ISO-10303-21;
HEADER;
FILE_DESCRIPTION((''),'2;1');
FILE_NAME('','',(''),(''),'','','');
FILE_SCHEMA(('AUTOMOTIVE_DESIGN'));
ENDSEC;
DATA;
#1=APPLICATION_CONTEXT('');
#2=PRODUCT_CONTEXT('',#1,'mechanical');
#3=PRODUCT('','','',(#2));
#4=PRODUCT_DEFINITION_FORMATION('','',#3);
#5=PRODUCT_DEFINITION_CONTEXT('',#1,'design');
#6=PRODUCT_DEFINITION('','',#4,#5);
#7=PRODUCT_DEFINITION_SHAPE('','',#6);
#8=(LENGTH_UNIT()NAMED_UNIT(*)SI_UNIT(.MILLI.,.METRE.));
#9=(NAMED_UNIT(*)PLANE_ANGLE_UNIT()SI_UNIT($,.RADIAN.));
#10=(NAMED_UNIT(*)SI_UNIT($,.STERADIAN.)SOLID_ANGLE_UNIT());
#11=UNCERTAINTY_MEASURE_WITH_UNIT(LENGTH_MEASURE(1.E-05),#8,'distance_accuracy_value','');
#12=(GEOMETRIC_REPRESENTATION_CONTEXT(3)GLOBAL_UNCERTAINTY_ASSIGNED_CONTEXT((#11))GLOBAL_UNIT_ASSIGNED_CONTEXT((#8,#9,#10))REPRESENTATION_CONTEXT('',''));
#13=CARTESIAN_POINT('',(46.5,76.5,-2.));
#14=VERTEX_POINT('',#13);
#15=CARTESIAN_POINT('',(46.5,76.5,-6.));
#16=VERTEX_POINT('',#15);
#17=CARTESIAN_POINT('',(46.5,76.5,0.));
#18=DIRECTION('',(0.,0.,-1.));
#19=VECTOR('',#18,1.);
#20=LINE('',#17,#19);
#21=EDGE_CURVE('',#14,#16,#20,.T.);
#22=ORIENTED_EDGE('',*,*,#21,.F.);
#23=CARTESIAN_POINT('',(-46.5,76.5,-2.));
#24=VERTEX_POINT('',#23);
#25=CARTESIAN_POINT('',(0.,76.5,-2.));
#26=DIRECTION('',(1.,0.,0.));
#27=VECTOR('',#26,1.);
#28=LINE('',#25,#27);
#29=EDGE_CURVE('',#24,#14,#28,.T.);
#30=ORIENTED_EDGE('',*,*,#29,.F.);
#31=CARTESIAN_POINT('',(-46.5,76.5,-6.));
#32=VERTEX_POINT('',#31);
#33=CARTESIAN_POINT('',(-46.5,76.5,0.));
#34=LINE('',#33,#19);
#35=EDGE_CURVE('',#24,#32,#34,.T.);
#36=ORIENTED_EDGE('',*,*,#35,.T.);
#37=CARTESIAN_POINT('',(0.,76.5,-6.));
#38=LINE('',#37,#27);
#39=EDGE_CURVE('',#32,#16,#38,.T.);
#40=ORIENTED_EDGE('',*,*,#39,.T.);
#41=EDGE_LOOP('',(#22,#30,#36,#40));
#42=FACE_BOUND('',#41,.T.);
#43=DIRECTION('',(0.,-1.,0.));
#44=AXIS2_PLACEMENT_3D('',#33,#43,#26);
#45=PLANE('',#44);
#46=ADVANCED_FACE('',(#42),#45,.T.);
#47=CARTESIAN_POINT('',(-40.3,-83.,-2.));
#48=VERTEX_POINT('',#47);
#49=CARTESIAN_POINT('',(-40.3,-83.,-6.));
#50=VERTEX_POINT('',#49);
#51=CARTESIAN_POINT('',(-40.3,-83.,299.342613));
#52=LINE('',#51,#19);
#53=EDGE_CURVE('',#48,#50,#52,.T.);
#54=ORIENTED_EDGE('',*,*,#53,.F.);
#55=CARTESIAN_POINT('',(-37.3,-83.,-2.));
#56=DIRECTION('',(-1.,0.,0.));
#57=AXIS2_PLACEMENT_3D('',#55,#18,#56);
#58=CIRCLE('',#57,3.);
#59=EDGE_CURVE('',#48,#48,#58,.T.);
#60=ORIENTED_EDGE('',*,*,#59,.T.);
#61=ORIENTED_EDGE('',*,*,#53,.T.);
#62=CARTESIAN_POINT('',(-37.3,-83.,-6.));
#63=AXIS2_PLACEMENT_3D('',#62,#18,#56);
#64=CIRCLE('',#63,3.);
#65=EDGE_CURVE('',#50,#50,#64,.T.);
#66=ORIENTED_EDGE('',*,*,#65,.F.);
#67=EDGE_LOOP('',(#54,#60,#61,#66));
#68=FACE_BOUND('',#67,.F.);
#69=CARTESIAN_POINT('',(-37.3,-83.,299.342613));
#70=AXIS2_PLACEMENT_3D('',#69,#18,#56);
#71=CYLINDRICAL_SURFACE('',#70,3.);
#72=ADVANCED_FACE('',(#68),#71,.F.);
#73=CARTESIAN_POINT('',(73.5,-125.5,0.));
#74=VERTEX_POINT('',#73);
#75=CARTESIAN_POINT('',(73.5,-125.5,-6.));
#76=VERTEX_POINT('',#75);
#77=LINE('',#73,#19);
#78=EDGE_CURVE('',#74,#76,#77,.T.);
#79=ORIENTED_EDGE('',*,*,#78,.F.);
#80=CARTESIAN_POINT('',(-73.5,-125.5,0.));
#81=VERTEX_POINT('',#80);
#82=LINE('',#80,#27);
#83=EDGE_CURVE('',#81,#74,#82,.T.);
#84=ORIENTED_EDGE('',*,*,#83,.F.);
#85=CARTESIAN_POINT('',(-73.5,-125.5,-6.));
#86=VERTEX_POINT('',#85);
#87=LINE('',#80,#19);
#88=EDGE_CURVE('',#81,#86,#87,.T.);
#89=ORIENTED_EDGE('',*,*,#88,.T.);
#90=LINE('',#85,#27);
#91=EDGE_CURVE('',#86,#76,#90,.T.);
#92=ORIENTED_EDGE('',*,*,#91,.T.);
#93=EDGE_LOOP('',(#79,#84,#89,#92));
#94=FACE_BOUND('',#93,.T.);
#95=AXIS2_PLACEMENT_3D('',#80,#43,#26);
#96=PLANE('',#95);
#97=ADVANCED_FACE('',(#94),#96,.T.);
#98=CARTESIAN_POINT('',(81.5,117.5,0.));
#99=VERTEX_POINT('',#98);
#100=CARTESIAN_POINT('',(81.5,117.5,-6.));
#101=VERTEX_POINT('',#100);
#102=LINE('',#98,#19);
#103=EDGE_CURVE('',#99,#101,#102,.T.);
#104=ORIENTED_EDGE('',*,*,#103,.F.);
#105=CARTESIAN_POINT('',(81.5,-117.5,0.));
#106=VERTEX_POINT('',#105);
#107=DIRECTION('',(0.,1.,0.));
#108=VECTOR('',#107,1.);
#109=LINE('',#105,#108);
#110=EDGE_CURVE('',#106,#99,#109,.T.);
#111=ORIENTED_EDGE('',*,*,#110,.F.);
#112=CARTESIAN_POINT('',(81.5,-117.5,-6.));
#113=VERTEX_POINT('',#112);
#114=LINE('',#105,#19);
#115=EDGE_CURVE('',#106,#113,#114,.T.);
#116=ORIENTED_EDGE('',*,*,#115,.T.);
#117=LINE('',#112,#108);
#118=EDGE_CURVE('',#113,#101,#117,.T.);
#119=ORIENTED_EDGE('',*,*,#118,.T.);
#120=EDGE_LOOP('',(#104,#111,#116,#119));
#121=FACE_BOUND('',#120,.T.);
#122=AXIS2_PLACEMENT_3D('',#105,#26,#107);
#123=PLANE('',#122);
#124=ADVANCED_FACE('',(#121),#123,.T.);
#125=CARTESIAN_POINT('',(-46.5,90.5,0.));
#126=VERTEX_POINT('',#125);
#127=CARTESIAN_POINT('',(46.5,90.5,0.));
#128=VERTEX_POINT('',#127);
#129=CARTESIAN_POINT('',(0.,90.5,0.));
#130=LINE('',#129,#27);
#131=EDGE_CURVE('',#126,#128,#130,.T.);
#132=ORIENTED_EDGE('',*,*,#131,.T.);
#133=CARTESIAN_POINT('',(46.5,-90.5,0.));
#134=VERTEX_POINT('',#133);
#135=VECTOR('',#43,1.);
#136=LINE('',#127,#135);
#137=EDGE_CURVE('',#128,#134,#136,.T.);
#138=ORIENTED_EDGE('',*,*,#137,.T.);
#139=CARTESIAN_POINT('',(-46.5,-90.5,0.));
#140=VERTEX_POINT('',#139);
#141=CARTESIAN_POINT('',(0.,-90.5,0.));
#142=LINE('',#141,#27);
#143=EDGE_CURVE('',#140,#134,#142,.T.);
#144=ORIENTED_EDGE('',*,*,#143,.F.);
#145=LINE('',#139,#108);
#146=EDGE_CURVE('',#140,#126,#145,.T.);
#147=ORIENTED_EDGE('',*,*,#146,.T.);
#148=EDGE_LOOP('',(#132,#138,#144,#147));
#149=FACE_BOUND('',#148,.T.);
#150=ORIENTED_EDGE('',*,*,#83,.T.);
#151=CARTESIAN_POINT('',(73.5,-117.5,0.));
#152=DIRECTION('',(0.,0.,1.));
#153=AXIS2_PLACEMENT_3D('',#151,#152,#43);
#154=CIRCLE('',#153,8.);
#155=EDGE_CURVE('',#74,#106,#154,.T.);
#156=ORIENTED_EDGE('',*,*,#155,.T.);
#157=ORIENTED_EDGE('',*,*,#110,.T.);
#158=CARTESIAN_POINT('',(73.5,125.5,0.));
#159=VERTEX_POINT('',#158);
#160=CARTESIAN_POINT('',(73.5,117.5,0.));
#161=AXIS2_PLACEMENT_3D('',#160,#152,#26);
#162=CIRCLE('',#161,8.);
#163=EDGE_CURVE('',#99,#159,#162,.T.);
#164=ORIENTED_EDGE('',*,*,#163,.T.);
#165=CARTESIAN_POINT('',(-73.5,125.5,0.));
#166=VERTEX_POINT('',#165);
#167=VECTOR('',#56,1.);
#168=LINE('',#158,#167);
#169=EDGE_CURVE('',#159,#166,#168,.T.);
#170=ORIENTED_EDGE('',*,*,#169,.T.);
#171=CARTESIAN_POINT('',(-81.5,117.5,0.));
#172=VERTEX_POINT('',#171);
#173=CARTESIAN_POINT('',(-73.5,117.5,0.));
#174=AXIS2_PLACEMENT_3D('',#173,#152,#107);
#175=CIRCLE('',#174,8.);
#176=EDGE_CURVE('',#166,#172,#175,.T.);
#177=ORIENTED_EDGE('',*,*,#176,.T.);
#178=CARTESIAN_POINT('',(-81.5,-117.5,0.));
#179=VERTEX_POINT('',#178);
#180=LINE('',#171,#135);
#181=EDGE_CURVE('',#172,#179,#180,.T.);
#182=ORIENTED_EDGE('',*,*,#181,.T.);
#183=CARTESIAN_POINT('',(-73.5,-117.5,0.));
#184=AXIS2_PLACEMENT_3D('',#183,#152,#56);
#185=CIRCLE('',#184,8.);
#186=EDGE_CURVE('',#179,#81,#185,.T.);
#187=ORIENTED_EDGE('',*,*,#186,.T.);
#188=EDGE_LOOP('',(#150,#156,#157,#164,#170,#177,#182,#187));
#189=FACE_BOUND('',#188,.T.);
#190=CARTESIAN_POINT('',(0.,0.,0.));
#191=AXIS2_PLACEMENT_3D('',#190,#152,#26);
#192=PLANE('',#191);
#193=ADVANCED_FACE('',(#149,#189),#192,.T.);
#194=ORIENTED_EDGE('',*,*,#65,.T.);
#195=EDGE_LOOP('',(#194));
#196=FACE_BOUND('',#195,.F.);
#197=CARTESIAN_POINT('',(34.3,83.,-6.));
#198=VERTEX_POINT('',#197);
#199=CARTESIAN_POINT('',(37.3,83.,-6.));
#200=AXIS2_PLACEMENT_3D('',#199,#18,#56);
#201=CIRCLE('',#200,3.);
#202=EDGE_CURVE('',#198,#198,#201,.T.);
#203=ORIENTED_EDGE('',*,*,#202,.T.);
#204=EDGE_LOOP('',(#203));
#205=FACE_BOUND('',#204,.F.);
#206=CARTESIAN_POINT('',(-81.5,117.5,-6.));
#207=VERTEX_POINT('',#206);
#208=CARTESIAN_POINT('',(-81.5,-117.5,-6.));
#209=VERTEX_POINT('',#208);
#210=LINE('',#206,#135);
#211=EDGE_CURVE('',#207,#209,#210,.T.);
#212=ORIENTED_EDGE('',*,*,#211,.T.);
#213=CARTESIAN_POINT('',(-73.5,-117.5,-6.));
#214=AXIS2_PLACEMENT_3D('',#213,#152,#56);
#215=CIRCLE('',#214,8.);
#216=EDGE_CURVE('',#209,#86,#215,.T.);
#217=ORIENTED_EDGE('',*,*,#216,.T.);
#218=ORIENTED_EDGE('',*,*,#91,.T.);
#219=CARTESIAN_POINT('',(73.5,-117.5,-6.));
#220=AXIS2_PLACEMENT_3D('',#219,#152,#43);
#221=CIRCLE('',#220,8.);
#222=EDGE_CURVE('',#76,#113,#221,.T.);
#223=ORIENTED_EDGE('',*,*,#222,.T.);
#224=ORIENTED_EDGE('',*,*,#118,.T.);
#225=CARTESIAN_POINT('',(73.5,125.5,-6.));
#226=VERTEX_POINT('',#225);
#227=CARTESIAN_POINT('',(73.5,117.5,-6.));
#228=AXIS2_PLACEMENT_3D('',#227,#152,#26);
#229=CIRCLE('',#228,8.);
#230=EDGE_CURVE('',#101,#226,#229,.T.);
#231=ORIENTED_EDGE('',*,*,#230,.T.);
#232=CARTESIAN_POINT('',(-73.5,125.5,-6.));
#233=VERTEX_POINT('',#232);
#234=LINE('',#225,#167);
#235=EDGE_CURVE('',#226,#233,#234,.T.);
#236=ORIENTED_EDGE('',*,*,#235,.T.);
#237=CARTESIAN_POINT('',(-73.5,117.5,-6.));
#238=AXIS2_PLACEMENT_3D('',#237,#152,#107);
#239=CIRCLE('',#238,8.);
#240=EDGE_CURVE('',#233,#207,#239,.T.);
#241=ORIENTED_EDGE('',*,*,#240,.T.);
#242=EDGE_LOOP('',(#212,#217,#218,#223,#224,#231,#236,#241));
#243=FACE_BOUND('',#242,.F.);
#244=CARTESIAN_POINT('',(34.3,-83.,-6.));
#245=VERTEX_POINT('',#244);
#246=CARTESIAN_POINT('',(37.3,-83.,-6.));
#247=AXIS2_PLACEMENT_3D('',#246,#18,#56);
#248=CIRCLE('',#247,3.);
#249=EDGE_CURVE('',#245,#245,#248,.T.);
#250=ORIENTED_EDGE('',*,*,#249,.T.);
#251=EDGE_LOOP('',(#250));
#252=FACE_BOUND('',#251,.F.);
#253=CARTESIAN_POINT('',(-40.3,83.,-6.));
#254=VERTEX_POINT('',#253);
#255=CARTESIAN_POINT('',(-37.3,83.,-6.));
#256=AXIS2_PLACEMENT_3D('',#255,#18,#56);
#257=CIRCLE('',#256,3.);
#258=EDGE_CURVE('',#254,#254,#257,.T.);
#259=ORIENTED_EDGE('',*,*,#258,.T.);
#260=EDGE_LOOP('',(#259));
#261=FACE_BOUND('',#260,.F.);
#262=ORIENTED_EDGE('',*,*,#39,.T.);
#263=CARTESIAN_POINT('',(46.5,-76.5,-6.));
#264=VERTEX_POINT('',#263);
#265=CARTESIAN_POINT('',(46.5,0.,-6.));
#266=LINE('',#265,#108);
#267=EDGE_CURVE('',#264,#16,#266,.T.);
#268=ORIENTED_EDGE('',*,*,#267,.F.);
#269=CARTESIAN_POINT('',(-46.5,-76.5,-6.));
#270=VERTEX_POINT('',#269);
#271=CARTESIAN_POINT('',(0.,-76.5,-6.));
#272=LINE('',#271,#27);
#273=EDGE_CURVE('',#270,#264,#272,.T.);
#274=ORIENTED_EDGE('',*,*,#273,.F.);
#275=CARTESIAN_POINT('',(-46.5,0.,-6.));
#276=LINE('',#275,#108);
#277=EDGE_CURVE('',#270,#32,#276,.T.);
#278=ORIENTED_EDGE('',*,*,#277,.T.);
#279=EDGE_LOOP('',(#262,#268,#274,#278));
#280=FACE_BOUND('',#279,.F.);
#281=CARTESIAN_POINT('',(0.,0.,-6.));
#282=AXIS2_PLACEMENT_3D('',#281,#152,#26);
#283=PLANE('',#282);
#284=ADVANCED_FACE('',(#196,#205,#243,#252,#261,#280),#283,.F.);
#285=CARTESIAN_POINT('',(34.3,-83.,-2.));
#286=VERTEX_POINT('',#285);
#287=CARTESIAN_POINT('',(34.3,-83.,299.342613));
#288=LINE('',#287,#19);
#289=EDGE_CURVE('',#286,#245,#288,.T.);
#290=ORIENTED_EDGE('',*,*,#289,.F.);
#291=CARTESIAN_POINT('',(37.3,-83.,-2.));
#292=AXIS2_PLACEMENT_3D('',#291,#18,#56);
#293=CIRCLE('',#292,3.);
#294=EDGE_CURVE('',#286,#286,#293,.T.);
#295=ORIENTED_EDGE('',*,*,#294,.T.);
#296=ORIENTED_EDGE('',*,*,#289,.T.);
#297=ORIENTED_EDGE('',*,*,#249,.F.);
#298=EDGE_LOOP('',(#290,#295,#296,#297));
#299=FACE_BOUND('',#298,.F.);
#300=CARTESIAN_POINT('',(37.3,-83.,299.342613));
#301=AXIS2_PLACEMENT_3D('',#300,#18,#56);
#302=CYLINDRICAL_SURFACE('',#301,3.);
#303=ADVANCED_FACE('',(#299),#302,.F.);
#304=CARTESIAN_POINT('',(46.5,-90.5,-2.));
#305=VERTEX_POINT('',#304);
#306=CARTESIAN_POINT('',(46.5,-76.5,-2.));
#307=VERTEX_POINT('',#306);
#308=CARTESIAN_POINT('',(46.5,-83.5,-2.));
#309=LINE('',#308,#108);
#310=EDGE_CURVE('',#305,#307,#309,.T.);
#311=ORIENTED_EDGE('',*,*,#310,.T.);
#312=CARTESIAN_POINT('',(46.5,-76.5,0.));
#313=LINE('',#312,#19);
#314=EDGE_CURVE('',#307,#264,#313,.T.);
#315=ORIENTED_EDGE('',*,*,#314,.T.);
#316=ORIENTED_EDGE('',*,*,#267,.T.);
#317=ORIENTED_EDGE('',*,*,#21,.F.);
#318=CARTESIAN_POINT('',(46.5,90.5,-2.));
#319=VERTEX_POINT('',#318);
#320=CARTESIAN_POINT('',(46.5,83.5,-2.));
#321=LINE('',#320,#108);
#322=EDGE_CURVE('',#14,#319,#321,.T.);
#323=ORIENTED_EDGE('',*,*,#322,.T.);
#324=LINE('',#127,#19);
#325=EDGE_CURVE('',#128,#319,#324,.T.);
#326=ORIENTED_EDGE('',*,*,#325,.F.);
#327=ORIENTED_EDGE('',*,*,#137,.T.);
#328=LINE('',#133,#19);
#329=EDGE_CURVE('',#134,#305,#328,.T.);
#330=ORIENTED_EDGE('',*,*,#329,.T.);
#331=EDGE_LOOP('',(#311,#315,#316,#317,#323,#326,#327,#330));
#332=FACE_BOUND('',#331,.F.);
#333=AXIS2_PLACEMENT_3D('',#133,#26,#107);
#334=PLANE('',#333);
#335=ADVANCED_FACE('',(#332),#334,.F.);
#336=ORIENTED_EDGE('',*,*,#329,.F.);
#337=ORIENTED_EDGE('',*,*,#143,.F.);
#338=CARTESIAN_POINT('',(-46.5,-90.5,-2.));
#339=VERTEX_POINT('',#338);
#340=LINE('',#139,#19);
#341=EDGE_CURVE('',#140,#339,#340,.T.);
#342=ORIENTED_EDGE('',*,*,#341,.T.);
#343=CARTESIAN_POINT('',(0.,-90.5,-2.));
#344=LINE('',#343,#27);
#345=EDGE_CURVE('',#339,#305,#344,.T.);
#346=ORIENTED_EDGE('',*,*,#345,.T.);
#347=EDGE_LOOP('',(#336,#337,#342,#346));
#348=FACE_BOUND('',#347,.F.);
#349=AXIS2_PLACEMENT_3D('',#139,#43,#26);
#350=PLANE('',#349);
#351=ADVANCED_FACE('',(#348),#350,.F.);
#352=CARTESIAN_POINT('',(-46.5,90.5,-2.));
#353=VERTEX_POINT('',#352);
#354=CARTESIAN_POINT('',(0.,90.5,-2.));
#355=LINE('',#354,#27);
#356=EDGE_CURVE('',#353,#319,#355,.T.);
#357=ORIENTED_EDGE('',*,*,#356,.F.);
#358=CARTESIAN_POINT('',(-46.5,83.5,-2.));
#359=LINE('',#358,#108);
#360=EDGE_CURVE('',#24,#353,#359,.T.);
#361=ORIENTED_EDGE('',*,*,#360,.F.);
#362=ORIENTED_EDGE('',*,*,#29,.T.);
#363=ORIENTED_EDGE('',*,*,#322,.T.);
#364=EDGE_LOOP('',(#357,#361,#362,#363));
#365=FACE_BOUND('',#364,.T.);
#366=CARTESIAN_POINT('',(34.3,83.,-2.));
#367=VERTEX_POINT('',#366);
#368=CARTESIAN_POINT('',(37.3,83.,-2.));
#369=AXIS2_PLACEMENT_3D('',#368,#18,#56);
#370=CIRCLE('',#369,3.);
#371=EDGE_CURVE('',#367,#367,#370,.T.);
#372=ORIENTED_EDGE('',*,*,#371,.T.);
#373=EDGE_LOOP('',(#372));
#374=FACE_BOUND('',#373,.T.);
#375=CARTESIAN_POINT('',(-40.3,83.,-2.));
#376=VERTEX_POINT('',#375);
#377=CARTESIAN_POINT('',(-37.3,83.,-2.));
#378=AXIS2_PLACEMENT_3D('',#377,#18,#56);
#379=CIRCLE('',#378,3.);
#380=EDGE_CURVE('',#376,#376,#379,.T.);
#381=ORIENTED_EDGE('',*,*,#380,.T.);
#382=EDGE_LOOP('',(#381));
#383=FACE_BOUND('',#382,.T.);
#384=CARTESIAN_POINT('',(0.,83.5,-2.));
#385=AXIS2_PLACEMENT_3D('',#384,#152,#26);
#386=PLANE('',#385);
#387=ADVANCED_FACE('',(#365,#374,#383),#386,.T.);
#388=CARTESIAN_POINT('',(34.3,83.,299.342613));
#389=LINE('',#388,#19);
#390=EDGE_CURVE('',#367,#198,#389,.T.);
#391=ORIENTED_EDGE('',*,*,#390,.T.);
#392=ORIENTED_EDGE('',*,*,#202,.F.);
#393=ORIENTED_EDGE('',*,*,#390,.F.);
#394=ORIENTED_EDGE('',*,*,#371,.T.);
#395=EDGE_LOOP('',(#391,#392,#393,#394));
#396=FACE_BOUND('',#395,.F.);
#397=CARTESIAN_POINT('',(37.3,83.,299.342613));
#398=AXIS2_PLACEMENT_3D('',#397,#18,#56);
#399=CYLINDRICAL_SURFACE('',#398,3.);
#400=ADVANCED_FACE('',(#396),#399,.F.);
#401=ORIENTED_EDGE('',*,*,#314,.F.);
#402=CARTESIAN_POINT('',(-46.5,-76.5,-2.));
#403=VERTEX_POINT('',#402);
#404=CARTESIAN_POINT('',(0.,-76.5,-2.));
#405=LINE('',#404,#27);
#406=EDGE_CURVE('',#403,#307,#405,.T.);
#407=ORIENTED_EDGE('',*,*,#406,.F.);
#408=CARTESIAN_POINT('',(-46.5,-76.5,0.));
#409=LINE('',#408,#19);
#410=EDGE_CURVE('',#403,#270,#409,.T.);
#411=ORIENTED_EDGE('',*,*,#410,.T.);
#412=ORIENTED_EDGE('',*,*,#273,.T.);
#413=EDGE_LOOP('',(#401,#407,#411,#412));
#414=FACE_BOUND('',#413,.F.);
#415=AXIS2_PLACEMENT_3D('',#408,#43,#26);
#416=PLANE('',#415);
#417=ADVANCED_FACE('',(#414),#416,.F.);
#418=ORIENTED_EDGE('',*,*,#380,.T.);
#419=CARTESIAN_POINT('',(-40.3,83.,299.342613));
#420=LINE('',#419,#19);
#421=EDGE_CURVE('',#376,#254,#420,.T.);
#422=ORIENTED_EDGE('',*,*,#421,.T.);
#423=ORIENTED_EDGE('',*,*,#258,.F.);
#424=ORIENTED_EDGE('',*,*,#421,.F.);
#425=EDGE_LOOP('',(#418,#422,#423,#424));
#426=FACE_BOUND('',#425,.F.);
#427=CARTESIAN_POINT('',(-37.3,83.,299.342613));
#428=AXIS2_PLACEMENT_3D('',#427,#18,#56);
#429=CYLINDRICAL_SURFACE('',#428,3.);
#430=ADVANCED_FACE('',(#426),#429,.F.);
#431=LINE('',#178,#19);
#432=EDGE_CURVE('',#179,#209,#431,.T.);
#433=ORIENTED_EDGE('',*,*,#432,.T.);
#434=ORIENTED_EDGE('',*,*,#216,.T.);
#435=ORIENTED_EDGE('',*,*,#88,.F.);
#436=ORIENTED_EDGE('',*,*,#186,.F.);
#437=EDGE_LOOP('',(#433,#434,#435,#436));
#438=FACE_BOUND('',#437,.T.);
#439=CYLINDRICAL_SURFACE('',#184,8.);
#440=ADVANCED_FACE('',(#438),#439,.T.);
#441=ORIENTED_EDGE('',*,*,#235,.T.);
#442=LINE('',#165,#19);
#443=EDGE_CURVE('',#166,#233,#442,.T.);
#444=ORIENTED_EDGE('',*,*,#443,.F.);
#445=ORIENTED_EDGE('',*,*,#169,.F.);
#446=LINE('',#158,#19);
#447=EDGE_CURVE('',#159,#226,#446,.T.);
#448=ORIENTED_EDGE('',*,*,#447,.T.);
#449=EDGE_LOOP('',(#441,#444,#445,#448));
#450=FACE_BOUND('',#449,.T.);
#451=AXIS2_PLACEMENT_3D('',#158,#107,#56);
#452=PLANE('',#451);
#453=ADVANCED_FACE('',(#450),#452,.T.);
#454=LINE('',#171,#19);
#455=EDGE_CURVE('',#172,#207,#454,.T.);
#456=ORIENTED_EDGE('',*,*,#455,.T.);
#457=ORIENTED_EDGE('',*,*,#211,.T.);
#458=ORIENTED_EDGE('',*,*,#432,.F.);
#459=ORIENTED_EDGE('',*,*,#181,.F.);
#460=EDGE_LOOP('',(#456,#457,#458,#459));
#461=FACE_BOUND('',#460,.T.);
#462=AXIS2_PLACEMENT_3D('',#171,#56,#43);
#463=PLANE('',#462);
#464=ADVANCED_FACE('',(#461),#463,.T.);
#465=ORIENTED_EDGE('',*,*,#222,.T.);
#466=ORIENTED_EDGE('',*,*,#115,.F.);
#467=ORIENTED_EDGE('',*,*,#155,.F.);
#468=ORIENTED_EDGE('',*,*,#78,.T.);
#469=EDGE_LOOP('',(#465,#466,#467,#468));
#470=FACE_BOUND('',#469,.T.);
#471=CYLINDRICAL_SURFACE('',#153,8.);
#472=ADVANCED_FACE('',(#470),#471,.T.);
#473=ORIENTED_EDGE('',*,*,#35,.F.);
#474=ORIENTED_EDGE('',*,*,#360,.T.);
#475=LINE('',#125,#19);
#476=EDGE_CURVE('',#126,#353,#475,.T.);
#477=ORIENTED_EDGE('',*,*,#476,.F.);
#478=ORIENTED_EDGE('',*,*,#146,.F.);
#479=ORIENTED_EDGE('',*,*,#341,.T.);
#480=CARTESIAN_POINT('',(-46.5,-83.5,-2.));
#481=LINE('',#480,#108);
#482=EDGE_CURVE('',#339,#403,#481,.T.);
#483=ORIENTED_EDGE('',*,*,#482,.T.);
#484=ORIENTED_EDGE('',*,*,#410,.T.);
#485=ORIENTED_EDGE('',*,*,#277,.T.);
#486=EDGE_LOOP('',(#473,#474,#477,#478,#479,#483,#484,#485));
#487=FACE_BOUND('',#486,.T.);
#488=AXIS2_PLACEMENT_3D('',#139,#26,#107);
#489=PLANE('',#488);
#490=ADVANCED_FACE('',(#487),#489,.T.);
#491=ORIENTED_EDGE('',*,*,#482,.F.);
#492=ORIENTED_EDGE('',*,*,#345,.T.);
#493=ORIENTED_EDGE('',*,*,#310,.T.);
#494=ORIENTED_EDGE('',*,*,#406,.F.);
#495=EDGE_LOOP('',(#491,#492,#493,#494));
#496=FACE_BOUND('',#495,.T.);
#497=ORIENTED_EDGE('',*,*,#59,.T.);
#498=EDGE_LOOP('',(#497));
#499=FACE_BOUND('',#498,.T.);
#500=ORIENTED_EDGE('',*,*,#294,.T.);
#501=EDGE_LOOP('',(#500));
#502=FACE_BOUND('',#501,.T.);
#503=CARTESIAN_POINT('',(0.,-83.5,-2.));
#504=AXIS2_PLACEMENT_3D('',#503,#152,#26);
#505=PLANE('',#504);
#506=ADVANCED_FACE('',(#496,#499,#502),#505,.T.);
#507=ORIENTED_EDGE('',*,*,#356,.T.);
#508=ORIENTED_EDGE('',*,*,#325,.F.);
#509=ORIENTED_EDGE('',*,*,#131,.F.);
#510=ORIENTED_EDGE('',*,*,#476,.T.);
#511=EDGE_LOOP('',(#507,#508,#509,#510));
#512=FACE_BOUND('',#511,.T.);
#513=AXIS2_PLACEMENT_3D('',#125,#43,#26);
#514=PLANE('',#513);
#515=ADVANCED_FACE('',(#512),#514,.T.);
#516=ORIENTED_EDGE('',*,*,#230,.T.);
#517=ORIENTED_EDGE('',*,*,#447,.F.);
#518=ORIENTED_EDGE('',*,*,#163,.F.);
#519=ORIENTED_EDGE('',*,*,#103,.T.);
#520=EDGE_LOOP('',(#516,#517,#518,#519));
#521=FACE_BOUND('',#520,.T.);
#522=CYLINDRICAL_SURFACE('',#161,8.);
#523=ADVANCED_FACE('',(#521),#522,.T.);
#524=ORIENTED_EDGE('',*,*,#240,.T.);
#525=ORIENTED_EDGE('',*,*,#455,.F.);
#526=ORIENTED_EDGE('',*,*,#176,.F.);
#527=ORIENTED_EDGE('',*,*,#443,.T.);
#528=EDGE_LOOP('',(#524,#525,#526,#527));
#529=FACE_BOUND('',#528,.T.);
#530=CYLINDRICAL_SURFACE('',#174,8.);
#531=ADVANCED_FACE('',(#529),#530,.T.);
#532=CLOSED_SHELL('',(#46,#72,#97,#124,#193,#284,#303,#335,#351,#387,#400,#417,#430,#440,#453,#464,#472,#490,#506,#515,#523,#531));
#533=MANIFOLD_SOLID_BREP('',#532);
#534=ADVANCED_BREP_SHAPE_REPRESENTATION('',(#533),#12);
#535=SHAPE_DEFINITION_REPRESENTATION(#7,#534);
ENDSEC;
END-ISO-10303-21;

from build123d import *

# Parameters (mm, degrees)
F0_W     = 93
F0_H     = 153
F2_DEPTH = 6
F1_W     = 93
F1_H     = 14
F3_DEPTH = 2
F5_D     = 6


with BuildPart() as f2:
    # F0 (on Top) → F2 (new body)
    with BuildSketch(Plane.XY):
        with BuildLine():
            Line((-73.5, -125.5), (73.5, -125.5))
            ThreePointArc((73.5, -125.5), (79.1568542495, -123.1568542495), (81.5, -117.5))
            Line((81.5, -117.5), (81.5, 117.5))
            ThreePointArc((81.5, 117.5), (79.1568542495, 123.1568542495), (73.5, 125.5))
            Line((73.5, 125.5), (-73.5, 125.5))
            ThreePointArc((-73.5, 125.5), (-79.1568542495, 123.1568542495), (-81.5, 117.5))
            Line((-81.5, 117.5), (-81.5, -117.5))
            ThreePointArc((-81.5, -117.5), (-79.1568542495, -123.1568542495), (-73.5, -125.5))
        make_face()
        Rectangle(F0_W, F0_H, mode=Mode.SUBTRACT)
    extrude(amount=-F2_DEPTH)

    # F1 (on face) → F3 (cut)
    with BuildSketch(Plane.XY):
        with Locations((0, 83.5)):
            Rectangle(F1_W, F1_H)
        with Locations((0, -83.5)):
            Rectangle(F1_W, F1_H)
    extrude(amount=-F3_DEPTH, mode=Mode.SUBTRACT)

    # F5 (through all)
    with Locations(Plane.XY):
        with Locations((-37.3, 83), (37.3, 83), (37.3, -83), (-37.3, -83)):
            Hole(F5_D / 2)


solid = f2.part
